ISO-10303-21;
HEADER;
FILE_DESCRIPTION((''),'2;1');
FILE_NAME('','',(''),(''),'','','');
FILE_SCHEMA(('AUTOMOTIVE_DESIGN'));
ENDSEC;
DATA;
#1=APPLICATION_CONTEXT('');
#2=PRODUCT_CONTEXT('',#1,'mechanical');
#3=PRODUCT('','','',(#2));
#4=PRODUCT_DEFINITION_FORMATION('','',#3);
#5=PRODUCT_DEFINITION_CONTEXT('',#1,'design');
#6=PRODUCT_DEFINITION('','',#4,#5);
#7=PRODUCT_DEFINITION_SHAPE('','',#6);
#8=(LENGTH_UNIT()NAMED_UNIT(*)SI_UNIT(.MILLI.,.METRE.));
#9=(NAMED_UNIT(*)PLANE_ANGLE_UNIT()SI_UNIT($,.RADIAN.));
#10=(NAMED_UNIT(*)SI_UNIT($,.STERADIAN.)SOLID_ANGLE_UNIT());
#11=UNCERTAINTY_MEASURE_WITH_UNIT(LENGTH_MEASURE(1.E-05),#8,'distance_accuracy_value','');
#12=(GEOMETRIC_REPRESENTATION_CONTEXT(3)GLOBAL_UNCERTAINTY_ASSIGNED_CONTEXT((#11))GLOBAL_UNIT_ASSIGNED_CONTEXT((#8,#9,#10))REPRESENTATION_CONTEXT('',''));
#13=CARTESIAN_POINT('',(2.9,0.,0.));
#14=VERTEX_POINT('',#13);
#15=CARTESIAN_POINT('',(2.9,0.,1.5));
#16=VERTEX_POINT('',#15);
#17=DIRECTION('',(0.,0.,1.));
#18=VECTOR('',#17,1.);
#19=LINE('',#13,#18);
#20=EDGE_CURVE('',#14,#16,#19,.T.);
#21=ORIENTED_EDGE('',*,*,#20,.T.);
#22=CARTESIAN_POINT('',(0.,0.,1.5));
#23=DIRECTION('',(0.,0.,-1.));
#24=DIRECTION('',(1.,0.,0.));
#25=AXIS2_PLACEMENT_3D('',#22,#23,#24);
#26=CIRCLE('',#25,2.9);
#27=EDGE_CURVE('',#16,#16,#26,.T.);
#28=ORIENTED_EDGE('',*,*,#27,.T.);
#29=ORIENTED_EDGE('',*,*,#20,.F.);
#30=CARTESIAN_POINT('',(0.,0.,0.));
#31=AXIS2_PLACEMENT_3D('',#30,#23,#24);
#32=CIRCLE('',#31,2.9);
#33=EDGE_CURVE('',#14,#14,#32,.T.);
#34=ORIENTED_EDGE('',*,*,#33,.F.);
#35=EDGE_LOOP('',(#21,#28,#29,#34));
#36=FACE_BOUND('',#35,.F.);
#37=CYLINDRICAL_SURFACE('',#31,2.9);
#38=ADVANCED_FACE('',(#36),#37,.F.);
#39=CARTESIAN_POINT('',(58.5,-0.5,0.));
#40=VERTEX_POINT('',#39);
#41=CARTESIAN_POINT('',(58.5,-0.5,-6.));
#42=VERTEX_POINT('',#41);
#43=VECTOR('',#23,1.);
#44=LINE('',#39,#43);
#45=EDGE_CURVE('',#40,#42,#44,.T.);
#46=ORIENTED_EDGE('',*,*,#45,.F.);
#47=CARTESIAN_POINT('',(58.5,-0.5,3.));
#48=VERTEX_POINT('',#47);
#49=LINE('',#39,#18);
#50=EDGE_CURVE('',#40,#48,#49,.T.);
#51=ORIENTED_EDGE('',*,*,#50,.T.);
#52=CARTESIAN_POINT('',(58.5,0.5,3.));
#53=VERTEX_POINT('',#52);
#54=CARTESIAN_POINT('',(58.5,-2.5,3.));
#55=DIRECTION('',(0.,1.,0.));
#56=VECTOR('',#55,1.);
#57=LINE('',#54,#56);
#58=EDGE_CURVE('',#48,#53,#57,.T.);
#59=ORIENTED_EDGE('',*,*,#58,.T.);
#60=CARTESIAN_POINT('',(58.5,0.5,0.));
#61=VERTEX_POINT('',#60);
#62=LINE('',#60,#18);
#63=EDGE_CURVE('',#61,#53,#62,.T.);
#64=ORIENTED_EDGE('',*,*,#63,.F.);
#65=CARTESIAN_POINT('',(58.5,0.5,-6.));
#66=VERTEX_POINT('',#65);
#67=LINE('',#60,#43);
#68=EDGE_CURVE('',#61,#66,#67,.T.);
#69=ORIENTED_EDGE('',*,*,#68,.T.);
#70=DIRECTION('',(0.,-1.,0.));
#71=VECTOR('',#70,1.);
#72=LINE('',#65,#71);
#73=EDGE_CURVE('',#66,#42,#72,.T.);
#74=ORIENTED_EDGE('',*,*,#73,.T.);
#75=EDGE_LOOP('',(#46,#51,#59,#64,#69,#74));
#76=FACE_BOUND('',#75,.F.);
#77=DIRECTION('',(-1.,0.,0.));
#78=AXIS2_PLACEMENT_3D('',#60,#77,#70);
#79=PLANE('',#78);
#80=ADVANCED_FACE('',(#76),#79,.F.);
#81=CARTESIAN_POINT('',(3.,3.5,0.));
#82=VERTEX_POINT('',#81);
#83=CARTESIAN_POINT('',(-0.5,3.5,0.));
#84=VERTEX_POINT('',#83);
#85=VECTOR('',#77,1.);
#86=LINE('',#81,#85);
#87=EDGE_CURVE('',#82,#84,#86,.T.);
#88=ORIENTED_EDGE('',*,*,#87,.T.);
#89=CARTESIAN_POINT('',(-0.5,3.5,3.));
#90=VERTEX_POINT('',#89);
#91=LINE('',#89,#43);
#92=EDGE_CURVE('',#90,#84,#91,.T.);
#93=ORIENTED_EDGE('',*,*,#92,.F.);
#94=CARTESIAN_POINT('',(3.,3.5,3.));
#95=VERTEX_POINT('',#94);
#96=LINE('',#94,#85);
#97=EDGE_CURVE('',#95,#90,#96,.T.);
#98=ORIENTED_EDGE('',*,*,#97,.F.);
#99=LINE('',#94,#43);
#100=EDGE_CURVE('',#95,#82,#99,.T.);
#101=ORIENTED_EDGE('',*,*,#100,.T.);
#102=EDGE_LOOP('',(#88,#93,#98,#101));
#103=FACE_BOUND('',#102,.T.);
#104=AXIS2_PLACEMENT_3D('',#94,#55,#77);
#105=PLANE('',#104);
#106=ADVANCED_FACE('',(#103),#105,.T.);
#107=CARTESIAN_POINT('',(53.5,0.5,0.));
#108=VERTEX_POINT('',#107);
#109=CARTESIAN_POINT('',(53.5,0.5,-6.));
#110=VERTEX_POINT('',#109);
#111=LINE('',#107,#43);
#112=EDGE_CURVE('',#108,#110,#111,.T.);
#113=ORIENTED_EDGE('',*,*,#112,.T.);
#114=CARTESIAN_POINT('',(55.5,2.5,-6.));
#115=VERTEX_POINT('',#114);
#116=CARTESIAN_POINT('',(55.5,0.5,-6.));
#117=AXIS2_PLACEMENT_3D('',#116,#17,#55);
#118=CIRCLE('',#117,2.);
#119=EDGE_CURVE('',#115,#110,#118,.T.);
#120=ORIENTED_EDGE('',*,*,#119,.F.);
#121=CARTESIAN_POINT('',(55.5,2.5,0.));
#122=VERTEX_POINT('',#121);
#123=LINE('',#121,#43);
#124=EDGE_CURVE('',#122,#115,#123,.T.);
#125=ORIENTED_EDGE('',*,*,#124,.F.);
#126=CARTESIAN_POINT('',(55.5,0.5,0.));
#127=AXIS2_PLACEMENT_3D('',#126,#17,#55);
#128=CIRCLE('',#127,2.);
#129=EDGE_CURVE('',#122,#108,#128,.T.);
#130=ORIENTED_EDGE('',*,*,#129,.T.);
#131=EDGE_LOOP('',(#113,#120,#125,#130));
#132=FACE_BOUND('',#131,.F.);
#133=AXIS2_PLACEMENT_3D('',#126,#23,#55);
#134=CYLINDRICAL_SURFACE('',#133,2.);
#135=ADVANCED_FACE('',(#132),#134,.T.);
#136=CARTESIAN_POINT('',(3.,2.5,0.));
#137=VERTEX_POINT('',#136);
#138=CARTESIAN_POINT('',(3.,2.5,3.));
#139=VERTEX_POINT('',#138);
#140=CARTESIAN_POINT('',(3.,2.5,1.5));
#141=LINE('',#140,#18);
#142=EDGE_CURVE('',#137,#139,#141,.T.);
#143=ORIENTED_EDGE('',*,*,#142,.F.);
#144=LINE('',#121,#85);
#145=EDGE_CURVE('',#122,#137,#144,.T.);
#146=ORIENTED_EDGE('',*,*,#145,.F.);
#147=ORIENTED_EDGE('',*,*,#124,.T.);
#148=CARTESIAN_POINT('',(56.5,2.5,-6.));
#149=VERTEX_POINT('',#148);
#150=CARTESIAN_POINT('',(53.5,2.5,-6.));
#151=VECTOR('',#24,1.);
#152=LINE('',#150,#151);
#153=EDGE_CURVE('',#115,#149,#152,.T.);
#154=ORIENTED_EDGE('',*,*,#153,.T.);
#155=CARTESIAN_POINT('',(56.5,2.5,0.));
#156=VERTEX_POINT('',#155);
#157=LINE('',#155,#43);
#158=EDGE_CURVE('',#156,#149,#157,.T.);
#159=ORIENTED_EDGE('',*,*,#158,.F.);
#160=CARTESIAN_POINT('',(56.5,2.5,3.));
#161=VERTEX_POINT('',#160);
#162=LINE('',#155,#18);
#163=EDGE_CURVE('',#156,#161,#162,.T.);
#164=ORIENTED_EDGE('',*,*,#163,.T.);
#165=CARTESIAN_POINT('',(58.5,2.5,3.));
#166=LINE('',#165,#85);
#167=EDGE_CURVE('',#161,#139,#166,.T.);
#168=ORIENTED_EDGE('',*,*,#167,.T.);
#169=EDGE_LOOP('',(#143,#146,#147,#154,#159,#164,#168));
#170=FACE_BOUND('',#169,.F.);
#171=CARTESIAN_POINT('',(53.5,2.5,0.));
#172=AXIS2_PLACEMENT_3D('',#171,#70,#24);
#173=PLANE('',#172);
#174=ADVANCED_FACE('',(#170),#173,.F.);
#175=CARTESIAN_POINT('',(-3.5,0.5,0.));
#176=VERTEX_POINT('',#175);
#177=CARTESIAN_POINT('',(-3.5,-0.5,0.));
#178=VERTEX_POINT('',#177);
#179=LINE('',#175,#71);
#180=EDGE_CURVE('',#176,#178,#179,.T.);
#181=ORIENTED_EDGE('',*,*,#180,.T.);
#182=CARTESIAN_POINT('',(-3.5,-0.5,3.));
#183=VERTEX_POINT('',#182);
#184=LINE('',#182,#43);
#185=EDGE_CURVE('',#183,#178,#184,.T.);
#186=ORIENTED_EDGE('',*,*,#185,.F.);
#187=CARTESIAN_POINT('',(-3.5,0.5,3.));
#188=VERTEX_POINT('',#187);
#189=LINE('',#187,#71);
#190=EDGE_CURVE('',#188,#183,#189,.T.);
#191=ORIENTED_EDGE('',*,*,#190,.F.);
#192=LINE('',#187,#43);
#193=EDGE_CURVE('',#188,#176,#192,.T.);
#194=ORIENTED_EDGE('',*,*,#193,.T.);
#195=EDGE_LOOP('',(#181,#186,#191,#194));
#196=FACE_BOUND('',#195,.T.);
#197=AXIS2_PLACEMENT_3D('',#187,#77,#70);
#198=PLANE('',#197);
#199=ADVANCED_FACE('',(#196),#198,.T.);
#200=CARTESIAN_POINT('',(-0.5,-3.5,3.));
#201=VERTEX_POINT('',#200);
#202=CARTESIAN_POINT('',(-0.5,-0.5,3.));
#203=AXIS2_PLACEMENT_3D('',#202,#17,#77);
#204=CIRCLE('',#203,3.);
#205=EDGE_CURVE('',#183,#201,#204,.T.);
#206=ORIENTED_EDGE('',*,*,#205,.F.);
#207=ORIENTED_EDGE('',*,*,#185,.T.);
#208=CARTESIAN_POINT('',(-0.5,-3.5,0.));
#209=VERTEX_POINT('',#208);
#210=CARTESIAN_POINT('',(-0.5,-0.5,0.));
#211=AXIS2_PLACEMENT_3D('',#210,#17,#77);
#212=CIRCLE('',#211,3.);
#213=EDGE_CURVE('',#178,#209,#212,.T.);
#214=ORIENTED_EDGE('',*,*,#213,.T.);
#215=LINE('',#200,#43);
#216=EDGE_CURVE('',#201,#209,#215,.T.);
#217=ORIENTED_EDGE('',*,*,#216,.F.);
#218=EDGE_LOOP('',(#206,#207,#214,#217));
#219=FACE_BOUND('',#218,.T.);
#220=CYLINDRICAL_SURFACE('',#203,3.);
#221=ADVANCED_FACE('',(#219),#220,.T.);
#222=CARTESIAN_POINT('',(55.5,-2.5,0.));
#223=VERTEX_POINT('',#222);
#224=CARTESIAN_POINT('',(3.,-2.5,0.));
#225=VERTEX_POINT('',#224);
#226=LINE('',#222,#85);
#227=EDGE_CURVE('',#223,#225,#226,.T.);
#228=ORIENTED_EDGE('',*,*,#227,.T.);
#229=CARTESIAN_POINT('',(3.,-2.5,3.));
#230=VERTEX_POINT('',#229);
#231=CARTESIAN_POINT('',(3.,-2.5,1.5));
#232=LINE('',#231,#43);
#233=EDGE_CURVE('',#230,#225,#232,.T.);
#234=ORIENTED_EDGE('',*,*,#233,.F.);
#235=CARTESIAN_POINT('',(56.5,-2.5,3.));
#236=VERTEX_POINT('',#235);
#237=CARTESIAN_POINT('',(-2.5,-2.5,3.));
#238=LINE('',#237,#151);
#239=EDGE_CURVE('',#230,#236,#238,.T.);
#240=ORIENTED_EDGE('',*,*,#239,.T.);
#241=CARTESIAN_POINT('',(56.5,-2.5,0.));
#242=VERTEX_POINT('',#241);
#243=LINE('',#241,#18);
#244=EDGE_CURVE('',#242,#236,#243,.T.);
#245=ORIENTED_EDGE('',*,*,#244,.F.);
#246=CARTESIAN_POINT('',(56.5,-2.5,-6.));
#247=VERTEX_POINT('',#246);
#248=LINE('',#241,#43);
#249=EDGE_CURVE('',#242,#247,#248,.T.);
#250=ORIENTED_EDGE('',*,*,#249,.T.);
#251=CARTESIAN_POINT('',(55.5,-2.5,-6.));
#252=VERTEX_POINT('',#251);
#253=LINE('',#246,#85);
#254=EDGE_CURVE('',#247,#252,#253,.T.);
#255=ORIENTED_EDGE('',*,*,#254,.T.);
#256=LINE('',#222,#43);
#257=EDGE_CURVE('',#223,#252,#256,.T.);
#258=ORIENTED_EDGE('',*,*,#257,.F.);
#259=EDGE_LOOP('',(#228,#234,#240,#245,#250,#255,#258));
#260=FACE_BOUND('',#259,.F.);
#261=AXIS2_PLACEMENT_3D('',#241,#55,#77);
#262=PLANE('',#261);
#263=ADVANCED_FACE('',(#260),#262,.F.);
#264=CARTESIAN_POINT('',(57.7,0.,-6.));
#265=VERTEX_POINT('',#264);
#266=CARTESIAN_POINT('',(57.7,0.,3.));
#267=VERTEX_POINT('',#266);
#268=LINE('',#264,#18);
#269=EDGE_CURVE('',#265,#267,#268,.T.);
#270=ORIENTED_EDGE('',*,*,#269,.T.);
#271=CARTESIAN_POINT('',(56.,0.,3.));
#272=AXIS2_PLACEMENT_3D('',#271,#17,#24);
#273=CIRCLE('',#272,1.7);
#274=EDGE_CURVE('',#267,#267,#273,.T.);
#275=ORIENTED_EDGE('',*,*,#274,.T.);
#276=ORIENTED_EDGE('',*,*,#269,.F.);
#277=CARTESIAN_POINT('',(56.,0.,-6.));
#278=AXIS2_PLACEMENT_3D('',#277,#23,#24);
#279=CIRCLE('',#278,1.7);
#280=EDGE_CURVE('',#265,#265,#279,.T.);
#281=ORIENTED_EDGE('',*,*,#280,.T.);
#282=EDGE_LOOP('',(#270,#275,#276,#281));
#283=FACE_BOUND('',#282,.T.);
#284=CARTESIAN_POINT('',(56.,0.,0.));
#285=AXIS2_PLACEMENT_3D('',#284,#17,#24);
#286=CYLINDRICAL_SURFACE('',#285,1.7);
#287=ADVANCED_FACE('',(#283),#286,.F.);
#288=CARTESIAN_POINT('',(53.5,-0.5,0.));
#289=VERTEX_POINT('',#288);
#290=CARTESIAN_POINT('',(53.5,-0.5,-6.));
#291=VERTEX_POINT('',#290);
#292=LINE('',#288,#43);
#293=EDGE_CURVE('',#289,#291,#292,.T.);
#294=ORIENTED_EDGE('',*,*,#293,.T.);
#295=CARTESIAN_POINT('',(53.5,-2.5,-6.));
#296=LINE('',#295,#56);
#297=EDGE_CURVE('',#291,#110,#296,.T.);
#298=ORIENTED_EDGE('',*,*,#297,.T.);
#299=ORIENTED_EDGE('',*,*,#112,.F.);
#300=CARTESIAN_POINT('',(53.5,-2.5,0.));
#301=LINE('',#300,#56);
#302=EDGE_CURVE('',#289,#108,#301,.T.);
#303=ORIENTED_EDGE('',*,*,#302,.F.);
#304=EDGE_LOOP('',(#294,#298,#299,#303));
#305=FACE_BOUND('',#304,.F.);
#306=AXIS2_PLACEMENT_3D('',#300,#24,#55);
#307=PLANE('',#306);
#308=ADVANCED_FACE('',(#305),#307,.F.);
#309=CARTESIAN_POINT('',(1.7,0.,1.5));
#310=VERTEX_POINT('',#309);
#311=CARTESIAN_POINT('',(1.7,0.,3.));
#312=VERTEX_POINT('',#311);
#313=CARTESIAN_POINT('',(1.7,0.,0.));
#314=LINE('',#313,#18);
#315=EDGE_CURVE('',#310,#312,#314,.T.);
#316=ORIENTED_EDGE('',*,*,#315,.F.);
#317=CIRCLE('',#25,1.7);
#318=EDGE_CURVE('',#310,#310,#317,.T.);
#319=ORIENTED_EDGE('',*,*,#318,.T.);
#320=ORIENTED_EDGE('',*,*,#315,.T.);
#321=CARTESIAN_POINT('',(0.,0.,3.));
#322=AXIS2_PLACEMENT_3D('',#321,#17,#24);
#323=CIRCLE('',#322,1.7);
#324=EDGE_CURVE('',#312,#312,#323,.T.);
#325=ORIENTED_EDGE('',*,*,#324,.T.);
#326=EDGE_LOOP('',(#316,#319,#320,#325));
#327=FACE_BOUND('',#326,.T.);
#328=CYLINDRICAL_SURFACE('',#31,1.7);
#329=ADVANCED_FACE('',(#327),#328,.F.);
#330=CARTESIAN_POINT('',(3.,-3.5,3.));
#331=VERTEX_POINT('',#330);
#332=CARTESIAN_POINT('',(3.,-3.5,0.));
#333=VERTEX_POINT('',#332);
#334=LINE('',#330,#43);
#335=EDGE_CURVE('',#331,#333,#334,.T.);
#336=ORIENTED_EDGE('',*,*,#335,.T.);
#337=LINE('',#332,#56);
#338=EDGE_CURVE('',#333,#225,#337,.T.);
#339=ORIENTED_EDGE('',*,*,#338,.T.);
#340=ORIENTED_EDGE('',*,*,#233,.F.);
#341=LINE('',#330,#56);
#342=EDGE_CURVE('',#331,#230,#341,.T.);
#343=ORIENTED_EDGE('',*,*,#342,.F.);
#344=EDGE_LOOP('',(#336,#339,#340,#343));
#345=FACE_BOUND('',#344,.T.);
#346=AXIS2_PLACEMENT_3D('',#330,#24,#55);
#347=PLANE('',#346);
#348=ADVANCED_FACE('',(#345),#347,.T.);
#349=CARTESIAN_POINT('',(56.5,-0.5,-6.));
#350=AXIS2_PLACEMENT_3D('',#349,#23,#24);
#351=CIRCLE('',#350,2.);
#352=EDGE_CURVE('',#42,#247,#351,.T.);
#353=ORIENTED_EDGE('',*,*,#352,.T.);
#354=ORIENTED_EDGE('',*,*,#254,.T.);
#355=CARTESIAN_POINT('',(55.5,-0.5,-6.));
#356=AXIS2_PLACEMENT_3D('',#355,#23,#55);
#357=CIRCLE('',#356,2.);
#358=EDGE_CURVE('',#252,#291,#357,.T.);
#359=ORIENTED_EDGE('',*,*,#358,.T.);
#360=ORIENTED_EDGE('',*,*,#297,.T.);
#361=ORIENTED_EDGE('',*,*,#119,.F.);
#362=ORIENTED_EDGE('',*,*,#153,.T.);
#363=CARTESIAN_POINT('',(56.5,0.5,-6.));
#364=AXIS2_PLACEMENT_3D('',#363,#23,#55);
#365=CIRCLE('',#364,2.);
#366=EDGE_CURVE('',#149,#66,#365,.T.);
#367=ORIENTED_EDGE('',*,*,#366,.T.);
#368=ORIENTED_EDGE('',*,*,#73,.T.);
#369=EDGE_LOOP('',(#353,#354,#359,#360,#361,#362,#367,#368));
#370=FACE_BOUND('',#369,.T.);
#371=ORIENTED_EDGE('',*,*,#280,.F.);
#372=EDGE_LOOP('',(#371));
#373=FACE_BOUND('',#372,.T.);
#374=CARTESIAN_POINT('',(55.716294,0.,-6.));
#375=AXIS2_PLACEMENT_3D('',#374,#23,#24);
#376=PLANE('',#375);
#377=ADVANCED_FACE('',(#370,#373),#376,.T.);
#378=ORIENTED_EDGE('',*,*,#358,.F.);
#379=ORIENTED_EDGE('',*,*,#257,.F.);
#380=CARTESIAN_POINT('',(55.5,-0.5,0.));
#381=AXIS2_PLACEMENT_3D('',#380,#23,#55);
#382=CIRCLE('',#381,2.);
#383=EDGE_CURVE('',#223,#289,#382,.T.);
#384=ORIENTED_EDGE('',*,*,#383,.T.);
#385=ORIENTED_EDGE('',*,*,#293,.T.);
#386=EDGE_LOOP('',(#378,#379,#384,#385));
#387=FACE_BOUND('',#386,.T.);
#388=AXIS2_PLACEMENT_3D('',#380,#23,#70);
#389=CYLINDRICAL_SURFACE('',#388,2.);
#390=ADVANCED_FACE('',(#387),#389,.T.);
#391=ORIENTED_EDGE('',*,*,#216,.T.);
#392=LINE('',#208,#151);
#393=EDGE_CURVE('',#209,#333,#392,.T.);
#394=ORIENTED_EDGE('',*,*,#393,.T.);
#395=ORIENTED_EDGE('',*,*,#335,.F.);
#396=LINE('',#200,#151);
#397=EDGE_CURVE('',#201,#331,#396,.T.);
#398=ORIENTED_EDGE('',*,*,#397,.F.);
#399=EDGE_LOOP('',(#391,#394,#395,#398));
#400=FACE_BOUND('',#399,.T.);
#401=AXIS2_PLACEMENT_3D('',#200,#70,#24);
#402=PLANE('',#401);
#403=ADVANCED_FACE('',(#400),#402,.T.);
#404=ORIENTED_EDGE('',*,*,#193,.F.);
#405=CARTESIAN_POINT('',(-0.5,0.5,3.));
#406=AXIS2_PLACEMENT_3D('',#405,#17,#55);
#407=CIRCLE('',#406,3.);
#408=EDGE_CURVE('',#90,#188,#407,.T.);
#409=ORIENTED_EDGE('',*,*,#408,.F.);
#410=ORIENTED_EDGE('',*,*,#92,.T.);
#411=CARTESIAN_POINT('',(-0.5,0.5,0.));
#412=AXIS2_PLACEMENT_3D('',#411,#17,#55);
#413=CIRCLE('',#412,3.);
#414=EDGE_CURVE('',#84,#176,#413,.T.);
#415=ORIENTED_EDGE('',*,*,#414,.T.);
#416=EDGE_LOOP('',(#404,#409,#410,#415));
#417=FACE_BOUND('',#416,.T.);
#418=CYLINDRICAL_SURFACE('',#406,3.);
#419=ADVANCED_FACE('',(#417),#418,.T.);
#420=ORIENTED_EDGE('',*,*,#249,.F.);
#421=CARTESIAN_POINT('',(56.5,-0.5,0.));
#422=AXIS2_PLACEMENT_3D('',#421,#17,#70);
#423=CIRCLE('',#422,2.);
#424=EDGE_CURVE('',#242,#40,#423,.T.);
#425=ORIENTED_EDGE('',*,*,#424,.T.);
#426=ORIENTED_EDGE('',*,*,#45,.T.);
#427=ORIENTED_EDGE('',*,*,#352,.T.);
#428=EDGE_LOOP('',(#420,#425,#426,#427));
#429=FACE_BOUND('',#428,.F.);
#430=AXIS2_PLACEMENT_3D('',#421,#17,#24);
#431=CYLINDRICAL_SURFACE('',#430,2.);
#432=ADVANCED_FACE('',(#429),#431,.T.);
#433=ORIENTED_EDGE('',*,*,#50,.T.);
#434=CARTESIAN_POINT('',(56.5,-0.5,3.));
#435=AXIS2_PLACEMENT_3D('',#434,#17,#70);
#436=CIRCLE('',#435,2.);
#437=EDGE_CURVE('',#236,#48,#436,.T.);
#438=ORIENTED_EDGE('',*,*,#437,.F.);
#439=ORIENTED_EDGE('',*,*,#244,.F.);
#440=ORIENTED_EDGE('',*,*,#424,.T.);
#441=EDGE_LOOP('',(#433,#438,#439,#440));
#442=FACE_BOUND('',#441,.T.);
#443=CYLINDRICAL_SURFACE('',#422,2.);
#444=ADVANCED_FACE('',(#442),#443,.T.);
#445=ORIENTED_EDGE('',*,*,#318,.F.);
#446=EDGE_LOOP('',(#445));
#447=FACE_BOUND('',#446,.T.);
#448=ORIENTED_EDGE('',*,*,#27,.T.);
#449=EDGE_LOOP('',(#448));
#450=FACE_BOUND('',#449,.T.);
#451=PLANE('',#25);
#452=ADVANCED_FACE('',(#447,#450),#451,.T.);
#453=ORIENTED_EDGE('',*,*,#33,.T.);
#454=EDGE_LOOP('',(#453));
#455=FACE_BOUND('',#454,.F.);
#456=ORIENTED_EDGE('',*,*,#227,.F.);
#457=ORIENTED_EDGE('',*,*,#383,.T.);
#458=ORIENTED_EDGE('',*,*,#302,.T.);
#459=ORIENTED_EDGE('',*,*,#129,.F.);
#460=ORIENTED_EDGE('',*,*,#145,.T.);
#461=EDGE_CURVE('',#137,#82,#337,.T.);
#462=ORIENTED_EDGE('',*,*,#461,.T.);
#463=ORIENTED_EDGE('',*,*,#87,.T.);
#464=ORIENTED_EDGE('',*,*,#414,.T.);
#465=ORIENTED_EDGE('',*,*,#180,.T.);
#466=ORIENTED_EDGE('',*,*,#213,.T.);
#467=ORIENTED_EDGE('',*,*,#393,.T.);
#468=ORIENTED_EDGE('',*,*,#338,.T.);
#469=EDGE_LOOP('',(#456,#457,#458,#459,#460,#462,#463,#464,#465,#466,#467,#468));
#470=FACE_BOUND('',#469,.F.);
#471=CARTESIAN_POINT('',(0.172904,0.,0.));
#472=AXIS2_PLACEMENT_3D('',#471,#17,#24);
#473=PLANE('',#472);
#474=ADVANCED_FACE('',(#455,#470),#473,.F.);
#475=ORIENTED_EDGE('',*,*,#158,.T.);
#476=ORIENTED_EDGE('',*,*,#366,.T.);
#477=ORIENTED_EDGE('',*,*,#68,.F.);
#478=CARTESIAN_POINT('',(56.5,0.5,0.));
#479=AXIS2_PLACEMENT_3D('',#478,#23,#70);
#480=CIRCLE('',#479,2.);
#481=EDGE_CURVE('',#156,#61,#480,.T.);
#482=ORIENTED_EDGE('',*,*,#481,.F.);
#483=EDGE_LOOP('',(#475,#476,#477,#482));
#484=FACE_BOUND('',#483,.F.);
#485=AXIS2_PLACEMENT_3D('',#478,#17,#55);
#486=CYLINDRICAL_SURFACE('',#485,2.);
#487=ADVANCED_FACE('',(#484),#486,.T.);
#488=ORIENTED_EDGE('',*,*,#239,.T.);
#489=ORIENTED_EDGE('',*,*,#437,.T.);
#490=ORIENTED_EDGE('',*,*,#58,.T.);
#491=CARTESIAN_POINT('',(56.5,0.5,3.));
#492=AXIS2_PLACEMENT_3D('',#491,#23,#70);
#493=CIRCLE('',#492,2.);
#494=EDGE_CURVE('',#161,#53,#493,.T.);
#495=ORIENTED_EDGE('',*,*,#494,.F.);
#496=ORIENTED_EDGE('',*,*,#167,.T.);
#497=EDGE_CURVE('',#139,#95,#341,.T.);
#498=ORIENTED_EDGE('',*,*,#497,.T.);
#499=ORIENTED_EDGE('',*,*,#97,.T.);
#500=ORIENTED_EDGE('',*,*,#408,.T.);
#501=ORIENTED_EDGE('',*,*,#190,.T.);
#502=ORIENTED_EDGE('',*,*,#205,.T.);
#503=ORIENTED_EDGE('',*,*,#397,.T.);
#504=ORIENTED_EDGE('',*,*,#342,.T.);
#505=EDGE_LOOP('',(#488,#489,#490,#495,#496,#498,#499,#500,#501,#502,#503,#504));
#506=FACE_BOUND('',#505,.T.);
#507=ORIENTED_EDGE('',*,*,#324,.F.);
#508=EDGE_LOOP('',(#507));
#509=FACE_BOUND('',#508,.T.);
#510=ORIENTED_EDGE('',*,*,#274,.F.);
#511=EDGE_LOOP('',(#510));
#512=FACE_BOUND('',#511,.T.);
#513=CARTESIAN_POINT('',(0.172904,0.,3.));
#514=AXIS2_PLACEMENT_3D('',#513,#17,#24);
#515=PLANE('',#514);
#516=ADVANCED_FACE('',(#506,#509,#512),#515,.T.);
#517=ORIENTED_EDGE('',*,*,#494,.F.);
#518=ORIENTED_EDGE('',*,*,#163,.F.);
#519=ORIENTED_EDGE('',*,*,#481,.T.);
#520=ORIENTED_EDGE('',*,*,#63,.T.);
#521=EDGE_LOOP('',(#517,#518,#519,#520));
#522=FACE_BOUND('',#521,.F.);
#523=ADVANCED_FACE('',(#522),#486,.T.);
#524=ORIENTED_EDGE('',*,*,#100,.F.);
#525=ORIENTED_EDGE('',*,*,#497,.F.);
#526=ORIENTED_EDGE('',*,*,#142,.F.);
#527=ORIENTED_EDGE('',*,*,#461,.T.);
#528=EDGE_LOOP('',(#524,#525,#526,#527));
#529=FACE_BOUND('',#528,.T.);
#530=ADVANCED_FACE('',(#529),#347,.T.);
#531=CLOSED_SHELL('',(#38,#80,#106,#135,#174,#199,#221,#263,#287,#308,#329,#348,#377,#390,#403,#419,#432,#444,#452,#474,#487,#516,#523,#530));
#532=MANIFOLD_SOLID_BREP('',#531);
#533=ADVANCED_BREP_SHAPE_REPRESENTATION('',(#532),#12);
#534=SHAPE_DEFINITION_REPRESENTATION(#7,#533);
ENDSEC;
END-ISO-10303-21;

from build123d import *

# Parameters (mm, degrees)
F0_R     = 1.7
F1_DEPTH = 3
F2_R     = 2
F3_R     = 1.7
F4_DEPTH = 6
F5_R     = 2
F6_R     = 1.7
F7_DEPTH = 3
F8_R     = 2.9
F9_DEPTH = 1.5


with BuildPart() as f1:
    # F0 (on Top) → F1 (new body)
    with BuildSketch(Plane.XY):
        Polygon((-2.5, 2.5), (-2.5, 0), (-2.5, -2.5), (58.5, -2.5), (58.5, 0), (58.5, 2.5), align=None)
        Circle(F0_R, mode=Mode.SUBTRACT)
        with Locations((56, 0)):
            Circle(F0_R, mode=Mode.SUBTRACT)
    extrude(amount=F1_DEPTH)

    # F2
    f2_edges = [f1.edges().sort_by_distance(p)[0] for p in [
        (-2.5, 2.5, 1.5),
        (-2.5, -2.5, 1.5),
        (58.5, 2.5, 1.5),
        (58.5, -2.5, 1.5),
    ]]
    fillet(f2_edges, radius=F2_R)

    # F3 (on face) → F4 (join)
    with BuildSketch(Plane(origin=(0, 0, 0), x_dir=(1, 0, 0), z_dir=(0, 0, -1))):
        with BuildLine():
            Line((53.5, -2.5), (56.5, -2.5))
            ThreePointArc((56.5, -2.5), (57.9142135624, -1.9142135624), (58.5, -0.5))
            Line((58.5, -0.5), (58.5, 0.5))
            ThreePointArc((58.5, 0.5), (57.9142135624, 1.9142135624), (56.5, 2.5))
            Line((56.5, 2.5), (53.5, 2.5))
            Line((53.5, 2.5), (53.5, -2.5))
        make_face()
        with Locations((56, 0)):
            Circle(F3_R, mode=Mode.SUBTRACT)
    extrude(amount=F4_DEPTH)

    # F5
    f5_edges = [f1.edges().sort_by_distance(p)[0] for p in [
        (53.5, 2.5, -3),
        (53.5, -2.5, -3),
    ]]
    fillet(f5_edges, radius=F5_R)

    # F6 (on face) → F7 (join, through all)
    with BuildSketch(Plane.XY.offset(3)):
        with BuildLine():
            ThreePointArc((-0.5, 3.5), (-2.6213203436, 2.6213203436), (-3.5, 0.5))
            Line((-3.5, 0.5), (-3.5, -0.5))
            ThreePointArc((-3.5, -0.5), (-2.6213203436, -2.6213203436), (-0.5, -3.5))
            Line((-0.5, -3.5), (3, -3.5))
            Line((3, -3.5), (3, -2.5))
            Line((3, -2.5), (3, 2.5))
            Line((3, 2.5), (3, 3.5))
            Line((3, 3.5), (-0.5, 3.5))
        make_face()
        Circle(F6_R, mode=Mode.SUBTRACT)
    extrude(amount=-F7_DEPTH)

    # F8 (on face) → F9 (cut)
    with BuildSketch(Plane(origin=(0, 0, 0), x_dir=(1, 0, 0), z_dir=(0, 0, -1))):
        Circle(F8_R)
    extrude(amount=-F9_DEPTH, mode=Mode.SUBTRACT)


solid = f1.part
